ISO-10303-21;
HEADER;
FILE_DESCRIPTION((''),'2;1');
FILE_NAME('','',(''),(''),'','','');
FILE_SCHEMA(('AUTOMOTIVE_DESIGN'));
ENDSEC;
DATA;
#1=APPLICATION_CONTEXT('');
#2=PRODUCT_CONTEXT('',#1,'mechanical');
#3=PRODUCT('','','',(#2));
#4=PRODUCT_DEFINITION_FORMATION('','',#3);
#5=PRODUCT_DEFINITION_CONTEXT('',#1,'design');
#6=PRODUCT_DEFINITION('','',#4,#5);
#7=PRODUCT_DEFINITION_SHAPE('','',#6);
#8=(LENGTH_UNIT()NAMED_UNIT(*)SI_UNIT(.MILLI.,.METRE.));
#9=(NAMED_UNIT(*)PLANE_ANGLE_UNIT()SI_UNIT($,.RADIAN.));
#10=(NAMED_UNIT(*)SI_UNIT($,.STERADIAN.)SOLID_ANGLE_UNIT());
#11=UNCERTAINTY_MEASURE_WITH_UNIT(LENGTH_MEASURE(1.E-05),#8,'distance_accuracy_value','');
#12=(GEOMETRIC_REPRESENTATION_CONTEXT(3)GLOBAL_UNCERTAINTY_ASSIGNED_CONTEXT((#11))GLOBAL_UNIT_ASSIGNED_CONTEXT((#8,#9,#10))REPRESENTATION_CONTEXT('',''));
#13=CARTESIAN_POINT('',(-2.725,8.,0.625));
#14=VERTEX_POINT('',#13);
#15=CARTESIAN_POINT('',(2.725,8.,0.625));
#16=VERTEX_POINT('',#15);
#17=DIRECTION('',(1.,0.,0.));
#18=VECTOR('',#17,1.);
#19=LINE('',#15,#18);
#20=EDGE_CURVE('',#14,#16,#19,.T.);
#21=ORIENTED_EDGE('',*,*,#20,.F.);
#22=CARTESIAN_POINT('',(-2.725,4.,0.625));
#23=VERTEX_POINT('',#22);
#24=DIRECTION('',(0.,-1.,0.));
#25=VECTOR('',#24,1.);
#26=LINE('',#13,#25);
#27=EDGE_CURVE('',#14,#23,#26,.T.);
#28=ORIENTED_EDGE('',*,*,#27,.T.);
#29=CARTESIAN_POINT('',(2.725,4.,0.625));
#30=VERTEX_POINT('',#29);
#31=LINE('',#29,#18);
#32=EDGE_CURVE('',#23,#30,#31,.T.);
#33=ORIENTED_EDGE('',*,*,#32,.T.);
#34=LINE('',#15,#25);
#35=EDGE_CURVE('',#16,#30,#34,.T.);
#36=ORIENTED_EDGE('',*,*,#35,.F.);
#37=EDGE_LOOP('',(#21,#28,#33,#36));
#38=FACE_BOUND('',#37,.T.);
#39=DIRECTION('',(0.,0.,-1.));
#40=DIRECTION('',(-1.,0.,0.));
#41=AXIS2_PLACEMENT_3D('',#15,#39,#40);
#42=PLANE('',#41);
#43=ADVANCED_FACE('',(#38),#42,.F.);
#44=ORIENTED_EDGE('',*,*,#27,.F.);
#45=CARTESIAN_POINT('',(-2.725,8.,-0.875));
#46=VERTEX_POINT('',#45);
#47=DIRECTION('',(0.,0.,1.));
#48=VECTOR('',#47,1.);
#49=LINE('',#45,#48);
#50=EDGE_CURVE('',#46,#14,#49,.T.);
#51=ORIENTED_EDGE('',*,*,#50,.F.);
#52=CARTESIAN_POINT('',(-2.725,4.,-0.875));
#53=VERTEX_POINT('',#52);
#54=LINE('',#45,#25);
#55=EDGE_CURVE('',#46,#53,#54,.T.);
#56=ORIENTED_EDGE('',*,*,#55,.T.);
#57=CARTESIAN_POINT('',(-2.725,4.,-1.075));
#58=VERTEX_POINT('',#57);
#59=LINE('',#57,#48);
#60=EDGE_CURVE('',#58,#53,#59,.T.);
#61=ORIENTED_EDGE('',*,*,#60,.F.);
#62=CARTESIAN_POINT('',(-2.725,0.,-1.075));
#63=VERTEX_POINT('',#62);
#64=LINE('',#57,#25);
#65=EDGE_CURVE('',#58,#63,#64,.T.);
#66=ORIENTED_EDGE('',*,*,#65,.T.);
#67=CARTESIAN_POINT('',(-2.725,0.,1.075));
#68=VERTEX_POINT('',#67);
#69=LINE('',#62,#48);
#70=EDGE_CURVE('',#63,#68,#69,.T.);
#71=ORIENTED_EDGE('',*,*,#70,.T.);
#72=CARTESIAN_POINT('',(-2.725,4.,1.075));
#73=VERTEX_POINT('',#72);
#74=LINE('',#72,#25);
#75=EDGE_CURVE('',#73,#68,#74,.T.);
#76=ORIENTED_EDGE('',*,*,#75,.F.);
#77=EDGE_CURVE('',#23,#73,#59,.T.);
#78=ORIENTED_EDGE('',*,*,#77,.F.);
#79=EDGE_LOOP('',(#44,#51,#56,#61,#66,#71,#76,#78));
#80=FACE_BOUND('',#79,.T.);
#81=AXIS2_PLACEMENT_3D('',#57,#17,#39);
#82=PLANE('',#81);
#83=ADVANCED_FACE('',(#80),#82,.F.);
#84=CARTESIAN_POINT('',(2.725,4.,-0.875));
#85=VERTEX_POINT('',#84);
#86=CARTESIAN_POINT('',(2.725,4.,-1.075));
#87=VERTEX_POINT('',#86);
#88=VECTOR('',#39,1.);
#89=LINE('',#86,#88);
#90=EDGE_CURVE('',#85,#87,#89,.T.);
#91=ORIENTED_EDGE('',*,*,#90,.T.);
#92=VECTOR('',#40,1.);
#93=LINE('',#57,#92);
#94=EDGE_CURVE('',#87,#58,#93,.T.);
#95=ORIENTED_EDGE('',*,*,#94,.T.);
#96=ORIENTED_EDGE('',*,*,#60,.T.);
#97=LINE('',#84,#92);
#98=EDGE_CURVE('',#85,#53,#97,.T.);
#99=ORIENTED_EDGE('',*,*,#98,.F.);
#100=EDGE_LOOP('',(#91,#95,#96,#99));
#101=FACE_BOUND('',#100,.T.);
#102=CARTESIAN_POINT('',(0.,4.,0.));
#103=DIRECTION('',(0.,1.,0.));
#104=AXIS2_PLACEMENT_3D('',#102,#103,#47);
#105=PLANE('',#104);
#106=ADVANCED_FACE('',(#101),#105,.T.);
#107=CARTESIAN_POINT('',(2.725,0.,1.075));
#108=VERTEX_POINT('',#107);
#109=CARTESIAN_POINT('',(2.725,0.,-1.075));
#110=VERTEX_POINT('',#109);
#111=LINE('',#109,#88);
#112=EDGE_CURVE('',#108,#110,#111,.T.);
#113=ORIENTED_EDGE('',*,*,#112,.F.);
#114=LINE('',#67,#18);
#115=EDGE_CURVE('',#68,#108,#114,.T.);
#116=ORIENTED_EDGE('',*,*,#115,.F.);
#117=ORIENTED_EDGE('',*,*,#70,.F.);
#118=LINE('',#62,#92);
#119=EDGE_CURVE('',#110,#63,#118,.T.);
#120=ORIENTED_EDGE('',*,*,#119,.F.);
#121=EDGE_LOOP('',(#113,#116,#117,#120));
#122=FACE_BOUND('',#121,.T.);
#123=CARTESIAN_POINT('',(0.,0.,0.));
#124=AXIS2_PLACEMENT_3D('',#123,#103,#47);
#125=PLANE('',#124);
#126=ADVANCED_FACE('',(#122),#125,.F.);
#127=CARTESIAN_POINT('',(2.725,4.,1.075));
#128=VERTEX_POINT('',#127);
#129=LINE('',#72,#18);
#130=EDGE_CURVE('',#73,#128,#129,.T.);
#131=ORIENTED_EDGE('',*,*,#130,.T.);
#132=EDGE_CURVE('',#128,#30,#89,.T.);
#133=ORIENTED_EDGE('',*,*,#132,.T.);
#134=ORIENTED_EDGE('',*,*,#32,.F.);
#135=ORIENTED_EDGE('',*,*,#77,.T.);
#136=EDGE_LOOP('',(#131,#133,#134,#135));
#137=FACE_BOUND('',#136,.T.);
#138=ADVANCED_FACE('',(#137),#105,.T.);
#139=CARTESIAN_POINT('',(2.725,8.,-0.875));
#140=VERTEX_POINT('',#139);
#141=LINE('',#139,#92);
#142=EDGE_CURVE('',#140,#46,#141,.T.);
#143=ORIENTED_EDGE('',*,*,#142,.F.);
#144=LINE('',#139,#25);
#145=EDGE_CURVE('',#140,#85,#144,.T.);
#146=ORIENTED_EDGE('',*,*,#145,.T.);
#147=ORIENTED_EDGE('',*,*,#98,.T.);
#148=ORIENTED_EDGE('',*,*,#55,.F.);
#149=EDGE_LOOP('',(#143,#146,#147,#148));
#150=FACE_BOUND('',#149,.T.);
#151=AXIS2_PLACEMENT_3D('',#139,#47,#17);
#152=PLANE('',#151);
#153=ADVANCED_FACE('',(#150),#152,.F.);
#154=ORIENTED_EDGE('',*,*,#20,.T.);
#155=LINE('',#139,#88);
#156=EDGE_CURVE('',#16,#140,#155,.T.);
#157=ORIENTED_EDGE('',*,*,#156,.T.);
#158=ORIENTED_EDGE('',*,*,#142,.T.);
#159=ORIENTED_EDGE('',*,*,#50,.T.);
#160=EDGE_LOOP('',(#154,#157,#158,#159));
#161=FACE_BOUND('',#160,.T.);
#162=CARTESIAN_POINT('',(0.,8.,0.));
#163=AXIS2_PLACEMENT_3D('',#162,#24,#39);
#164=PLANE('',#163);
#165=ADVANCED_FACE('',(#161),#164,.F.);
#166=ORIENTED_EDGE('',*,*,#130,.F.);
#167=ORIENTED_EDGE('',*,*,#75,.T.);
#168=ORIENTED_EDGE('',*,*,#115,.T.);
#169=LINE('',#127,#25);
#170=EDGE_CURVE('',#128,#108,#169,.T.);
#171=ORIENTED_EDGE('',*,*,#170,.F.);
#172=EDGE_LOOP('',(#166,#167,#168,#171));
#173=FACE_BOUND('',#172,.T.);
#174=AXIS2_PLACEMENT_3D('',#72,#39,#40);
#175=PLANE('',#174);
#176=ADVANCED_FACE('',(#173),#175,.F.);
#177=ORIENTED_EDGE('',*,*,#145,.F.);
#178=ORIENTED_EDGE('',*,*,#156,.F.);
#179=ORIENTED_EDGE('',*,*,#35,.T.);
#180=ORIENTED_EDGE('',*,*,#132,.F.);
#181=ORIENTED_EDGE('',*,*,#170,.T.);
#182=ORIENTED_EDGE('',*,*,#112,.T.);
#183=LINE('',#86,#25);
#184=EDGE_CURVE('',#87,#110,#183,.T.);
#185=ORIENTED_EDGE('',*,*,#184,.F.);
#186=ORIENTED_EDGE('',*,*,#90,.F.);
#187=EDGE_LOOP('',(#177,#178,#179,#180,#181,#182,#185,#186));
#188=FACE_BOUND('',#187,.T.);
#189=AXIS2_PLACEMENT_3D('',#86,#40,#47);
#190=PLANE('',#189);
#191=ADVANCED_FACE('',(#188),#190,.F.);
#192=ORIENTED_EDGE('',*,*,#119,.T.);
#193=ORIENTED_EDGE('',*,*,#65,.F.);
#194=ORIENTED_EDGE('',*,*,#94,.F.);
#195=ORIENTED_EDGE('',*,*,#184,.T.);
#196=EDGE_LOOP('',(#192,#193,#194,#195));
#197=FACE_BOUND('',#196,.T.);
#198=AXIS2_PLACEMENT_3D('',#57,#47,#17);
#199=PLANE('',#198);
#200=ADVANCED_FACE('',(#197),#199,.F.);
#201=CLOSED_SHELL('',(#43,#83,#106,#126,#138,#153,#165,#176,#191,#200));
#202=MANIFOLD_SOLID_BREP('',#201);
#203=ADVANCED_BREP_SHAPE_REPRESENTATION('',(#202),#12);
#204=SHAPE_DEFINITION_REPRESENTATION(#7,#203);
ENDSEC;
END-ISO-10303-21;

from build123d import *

# Parameters (mm, degrees)
SKETCH1_W           = 5.45
SKETCH1_H           = 2.15
BOSS_EXTRUDE1_DEPTH = 4
SKETCH2_W           = 5.45
SKETCH2_H           = 1.5
BOSS_EXTRUDE2_DEPTH = 4


with BuildPart() as part:
    # Sketch1 → Boss-Extrude1 (new body)
    with BuildSketch(Plane(origin=(0, 0, 0), x_dir=(1, 0, 0), z_dir=(0, 1, 0))):
        Rectangle(SKETCH1_W, SKETCH1_H)
    extrude(amount=BOSS_EXTRUDE1_DEPTH)

    # Sketch2 → Boss-Extrude2 (add)
    with BuildSketch(Plane(origin=(0, 4, 0), x_dir=(1, 0, 0), z_dir=(0, 1, 0))):
        with Locations((0, 0.125)):
            Rectangle(SKETCH2_W, SKETCH2_H)
    extrude(amount=BOSS_EXTRUDE2_DEPTH)


solid = part.part
